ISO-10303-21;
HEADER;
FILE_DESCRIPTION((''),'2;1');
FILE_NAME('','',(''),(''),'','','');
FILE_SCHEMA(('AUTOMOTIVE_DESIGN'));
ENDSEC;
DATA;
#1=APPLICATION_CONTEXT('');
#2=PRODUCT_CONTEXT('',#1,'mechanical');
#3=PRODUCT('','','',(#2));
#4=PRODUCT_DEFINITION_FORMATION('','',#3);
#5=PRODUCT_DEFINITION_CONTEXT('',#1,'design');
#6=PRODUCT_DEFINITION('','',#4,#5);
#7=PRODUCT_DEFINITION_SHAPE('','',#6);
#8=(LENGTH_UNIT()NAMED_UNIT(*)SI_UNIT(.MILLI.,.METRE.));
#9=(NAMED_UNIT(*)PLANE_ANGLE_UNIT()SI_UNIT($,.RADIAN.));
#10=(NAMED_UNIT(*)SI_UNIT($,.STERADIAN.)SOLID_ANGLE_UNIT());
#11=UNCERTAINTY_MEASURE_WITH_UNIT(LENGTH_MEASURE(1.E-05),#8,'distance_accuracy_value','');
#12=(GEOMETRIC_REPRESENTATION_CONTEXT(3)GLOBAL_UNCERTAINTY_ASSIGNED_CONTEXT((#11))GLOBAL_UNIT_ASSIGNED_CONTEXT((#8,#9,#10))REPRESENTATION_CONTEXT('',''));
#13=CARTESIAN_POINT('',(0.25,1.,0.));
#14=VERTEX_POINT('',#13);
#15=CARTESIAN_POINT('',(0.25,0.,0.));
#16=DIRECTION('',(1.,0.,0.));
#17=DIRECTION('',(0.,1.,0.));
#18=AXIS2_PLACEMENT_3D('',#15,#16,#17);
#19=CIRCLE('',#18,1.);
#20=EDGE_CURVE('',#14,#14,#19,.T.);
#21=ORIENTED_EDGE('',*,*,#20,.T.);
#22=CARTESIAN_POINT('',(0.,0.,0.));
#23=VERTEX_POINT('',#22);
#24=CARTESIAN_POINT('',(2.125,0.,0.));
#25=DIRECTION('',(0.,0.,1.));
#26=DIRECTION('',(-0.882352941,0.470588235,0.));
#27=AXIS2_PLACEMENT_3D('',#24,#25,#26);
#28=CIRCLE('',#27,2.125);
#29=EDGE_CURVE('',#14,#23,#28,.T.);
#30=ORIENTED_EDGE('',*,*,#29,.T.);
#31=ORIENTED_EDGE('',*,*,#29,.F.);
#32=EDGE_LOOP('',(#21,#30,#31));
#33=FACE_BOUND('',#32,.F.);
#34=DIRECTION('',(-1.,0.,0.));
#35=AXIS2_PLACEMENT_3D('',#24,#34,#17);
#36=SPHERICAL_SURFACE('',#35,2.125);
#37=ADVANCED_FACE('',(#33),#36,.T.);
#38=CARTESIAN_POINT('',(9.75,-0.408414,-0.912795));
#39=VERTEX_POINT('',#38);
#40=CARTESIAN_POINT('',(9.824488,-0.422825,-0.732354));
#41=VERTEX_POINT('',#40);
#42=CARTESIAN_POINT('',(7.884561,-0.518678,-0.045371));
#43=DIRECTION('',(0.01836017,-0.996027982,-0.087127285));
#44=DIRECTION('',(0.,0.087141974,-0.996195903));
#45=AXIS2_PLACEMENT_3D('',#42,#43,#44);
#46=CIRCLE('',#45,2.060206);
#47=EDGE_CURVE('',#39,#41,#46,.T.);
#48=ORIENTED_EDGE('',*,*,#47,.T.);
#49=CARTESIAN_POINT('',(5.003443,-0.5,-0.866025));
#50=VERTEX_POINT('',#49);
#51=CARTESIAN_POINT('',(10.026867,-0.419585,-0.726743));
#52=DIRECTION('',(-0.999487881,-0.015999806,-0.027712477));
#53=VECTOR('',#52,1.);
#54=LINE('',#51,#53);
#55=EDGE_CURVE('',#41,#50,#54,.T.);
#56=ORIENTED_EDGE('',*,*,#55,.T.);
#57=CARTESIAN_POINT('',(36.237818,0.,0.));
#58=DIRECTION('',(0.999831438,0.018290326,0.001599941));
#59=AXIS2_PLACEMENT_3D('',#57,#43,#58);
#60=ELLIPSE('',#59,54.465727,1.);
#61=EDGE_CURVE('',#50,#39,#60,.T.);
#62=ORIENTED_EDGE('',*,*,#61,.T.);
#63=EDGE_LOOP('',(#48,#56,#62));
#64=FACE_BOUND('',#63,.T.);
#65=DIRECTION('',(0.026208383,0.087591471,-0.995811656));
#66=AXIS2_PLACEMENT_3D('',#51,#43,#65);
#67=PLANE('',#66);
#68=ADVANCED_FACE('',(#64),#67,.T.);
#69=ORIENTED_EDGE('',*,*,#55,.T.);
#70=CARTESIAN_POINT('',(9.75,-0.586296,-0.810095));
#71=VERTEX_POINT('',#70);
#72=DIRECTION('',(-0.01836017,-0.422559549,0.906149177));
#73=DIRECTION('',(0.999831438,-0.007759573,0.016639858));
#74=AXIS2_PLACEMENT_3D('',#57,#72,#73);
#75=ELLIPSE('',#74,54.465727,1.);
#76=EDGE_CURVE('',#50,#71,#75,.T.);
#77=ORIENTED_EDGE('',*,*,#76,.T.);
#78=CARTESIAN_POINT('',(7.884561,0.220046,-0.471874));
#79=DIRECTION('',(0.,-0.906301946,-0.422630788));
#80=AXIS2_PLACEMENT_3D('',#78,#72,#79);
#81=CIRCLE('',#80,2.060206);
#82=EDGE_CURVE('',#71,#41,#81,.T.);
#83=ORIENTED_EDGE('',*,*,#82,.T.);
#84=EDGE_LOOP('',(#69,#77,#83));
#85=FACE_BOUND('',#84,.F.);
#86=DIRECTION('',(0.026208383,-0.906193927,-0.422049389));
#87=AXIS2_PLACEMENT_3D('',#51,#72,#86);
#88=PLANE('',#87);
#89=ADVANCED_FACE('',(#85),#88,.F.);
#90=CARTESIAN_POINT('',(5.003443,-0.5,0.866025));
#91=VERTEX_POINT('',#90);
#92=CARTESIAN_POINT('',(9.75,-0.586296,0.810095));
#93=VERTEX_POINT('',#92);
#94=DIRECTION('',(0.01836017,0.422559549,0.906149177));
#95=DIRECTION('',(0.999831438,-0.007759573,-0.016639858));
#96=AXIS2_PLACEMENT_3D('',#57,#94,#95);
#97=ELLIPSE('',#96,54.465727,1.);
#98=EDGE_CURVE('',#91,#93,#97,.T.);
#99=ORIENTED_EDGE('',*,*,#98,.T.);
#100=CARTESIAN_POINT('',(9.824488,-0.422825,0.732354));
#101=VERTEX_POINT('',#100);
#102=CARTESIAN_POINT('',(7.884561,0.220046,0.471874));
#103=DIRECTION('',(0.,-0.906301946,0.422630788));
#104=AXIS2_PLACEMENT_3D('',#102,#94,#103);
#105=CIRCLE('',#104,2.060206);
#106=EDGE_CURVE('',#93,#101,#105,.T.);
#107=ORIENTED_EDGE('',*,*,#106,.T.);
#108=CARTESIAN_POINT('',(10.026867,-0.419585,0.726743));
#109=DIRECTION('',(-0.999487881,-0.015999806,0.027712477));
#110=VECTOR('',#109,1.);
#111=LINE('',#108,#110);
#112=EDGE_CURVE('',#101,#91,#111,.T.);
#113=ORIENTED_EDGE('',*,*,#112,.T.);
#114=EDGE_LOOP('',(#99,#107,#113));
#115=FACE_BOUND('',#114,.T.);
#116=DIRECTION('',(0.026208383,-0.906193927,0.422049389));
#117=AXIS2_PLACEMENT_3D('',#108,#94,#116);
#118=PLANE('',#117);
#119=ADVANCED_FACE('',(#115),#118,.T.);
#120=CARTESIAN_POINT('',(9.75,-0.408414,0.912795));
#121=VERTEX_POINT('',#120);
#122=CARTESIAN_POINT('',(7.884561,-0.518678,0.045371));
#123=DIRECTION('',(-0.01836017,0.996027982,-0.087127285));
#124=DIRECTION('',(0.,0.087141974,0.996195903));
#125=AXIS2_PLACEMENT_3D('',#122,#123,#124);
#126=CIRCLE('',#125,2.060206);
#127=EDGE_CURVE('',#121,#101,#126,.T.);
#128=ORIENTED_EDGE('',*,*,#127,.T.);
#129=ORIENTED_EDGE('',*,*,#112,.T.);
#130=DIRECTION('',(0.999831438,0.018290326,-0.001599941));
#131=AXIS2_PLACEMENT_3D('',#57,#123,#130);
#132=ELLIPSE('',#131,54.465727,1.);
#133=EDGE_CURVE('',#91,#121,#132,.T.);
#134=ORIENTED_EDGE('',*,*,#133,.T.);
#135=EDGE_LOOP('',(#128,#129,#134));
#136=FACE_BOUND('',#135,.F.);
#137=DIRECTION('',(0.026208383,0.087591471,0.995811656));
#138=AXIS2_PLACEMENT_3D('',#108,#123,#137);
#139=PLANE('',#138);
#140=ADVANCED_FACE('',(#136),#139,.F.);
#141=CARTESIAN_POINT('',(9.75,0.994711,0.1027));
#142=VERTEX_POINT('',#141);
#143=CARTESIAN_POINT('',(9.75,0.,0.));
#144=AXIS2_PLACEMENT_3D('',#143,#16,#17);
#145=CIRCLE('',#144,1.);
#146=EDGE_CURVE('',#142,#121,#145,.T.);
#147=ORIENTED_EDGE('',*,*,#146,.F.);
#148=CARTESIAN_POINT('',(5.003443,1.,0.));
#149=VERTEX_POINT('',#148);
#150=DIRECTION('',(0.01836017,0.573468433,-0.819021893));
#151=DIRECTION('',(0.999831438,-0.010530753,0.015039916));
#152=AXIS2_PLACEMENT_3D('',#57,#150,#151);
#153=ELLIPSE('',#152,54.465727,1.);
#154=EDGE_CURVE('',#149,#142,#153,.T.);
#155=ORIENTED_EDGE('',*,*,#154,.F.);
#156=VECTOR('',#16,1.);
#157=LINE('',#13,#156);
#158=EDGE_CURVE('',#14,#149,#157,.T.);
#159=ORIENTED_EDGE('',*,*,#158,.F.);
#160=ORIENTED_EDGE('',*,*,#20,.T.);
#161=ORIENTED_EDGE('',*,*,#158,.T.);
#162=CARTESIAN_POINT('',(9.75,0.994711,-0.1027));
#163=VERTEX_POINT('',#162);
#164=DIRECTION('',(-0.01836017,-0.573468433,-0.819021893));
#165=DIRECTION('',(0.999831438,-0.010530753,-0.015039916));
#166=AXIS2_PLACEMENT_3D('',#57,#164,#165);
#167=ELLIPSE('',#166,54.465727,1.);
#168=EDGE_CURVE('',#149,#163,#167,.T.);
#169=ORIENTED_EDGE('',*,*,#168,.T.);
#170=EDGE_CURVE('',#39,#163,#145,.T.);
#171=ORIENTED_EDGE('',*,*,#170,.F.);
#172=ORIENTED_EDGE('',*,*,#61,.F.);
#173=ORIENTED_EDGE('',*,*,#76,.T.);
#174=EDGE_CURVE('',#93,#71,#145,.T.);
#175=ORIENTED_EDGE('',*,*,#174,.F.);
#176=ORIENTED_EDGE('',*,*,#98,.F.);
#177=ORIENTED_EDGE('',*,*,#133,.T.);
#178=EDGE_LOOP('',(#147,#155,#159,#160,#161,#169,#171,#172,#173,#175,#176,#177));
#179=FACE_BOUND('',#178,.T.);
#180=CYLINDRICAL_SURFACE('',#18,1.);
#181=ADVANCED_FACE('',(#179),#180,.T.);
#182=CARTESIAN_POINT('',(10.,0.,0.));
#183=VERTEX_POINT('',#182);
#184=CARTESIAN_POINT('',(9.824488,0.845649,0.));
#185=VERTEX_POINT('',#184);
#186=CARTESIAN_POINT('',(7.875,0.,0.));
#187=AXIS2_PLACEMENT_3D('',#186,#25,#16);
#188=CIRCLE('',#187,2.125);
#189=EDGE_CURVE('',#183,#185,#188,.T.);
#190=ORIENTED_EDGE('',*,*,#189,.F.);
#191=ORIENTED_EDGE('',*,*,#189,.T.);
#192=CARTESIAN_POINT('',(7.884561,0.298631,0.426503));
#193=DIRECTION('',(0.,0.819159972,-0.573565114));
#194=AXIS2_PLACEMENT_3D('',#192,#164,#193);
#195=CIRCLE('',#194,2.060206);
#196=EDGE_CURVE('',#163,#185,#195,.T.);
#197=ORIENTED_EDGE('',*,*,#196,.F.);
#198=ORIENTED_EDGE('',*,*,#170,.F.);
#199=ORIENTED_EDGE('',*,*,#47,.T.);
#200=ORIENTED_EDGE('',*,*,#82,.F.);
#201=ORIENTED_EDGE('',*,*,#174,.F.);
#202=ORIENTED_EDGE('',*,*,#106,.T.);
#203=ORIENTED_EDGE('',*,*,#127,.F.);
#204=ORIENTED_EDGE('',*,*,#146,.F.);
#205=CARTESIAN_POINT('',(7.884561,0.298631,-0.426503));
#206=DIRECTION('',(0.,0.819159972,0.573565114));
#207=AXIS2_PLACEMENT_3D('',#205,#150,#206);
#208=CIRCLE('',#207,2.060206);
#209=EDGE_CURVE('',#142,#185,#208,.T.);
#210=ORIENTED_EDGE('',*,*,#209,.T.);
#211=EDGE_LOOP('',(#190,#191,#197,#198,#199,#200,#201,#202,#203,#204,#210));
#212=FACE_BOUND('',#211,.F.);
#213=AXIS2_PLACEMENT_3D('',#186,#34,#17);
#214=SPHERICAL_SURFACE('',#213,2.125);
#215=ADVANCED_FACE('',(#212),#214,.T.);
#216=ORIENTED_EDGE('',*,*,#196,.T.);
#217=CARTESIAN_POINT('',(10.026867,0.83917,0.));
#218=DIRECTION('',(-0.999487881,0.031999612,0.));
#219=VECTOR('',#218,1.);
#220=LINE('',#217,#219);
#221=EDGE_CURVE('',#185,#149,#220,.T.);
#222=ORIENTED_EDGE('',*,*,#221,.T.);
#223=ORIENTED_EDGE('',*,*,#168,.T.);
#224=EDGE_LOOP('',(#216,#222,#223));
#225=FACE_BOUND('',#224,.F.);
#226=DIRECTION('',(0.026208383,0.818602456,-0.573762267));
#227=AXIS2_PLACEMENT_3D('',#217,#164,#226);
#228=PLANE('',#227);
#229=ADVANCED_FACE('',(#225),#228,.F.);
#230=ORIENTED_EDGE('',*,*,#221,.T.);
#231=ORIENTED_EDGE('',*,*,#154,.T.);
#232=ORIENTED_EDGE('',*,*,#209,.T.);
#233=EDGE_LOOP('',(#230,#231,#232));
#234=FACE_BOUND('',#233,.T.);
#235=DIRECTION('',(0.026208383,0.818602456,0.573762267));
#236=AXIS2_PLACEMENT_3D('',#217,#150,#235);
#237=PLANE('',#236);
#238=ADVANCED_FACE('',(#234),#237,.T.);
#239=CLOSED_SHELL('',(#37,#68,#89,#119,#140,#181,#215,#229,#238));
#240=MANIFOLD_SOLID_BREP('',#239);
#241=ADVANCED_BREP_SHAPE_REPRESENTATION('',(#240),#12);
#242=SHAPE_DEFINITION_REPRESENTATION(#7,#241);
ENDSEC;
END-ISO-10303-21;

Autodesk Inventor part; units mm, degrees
ref_plane "YZ Plane" through (0, 0, 0) normal (1, 0, 0) x (0, 1, 0)
sketch "Skizze1" plane through (0, 0, 0) normal (0, 0, 1) x (1, 0, 0)
  line L0 (0, 0) -> (10, 0)
  line L1 (0.25, 1) -> (9.75, 1)
  arc A0 (0.25, 1) -> (0, 0) centre (2.125, 0) ccw
  arc A1 (10, 0) -> (9.75, 1) centre (7.875, 0) ccw
  line L2 (10, 0) -> (10, 0.84) construction
  line L3 (10, 0.84) -> (5, 1) construction
  line L4 (-12.8617, 0) -> (72.8617, 0) projected
  line L5 (0, 12.1847) -> (0, -2.0308) projected
  point P0 (5, 0)
  dimension "d0" = 2
  dimension "d1" = 10
  dimension "d2" = 1.68
  dimension "d12" = 5
  dimension "d17" = 0.25
  dimension "d18" = 0.25
revolve "Körper" add sketch "Skizze1" angle 360 about axis through (0, 0, 0) along (1, 0, 0)
ref_plane "Work Plane1" through (10, 0, 0) normal (1, 0, 0) x (0, 1, 0)
sketch "Skizze2" plane through (10, 0, 0) normal (1, 0, 0) x (0, 1, 0)
  line L0 (0, -14) -> (0, 14) projected
ref_plane "Work Plane2" through (10, 0, -10) normal (0.9995, -0.032, 0) x (0.032, 0.9995, 0)
sketch "Skizze3" plane through (10, 0, -10) normal (0.9995, -0.032, 0) x (0.032, 0.9995, 0)
  ellipse E0 centre (-0.008, 10) end of major axis (-0.008, 11) minor radius 0.9995 projected
  line L0 (-0.1599, 10) -> (0.8396, 10) projected
  line L1 (0.8396, 10) -> (0.9862, 10.1027)
  line L2 (0.8396, 10) -> (0.9862, 9.8973)
  arc A0 (0.9862, 9.8973) -> (0.9862, 10.1027) centre (-0.008, 10) ccw
  dimension "d7" = 70
extrude "Nut" cut sketch "Skizze3" against normal up to next contours L2 L1 E0 picked at (0.9387, 9.9486)
pattern_circular "Nuten" count 3 over 360 about axis through (5, 0, 0) along (1, 0, 0) of "Nut"
equation "\"d0\" = NND"
equation "\"d1\" = NLG"
equation "\"d2\" = 0.84 * NND"
equation "\"d17\" = KAH"
equation "\"d18\" = KAH"
equation "\"d8\" = 0.5 * NLG"
equation "\"NND\" = 2"
equation "\"NLG\" = 10"
equation "\"KAH\" = 0.25"
equation "\"d6\" = -d5"
equation "\"FAC\" = 0.5"
equation "\"NND1\" = 2.15"
equation "\"NLG1\" = 9.5"
properties part number "ISO 8745 - 2 x 10" material "Edelstahl, austenitisch"
